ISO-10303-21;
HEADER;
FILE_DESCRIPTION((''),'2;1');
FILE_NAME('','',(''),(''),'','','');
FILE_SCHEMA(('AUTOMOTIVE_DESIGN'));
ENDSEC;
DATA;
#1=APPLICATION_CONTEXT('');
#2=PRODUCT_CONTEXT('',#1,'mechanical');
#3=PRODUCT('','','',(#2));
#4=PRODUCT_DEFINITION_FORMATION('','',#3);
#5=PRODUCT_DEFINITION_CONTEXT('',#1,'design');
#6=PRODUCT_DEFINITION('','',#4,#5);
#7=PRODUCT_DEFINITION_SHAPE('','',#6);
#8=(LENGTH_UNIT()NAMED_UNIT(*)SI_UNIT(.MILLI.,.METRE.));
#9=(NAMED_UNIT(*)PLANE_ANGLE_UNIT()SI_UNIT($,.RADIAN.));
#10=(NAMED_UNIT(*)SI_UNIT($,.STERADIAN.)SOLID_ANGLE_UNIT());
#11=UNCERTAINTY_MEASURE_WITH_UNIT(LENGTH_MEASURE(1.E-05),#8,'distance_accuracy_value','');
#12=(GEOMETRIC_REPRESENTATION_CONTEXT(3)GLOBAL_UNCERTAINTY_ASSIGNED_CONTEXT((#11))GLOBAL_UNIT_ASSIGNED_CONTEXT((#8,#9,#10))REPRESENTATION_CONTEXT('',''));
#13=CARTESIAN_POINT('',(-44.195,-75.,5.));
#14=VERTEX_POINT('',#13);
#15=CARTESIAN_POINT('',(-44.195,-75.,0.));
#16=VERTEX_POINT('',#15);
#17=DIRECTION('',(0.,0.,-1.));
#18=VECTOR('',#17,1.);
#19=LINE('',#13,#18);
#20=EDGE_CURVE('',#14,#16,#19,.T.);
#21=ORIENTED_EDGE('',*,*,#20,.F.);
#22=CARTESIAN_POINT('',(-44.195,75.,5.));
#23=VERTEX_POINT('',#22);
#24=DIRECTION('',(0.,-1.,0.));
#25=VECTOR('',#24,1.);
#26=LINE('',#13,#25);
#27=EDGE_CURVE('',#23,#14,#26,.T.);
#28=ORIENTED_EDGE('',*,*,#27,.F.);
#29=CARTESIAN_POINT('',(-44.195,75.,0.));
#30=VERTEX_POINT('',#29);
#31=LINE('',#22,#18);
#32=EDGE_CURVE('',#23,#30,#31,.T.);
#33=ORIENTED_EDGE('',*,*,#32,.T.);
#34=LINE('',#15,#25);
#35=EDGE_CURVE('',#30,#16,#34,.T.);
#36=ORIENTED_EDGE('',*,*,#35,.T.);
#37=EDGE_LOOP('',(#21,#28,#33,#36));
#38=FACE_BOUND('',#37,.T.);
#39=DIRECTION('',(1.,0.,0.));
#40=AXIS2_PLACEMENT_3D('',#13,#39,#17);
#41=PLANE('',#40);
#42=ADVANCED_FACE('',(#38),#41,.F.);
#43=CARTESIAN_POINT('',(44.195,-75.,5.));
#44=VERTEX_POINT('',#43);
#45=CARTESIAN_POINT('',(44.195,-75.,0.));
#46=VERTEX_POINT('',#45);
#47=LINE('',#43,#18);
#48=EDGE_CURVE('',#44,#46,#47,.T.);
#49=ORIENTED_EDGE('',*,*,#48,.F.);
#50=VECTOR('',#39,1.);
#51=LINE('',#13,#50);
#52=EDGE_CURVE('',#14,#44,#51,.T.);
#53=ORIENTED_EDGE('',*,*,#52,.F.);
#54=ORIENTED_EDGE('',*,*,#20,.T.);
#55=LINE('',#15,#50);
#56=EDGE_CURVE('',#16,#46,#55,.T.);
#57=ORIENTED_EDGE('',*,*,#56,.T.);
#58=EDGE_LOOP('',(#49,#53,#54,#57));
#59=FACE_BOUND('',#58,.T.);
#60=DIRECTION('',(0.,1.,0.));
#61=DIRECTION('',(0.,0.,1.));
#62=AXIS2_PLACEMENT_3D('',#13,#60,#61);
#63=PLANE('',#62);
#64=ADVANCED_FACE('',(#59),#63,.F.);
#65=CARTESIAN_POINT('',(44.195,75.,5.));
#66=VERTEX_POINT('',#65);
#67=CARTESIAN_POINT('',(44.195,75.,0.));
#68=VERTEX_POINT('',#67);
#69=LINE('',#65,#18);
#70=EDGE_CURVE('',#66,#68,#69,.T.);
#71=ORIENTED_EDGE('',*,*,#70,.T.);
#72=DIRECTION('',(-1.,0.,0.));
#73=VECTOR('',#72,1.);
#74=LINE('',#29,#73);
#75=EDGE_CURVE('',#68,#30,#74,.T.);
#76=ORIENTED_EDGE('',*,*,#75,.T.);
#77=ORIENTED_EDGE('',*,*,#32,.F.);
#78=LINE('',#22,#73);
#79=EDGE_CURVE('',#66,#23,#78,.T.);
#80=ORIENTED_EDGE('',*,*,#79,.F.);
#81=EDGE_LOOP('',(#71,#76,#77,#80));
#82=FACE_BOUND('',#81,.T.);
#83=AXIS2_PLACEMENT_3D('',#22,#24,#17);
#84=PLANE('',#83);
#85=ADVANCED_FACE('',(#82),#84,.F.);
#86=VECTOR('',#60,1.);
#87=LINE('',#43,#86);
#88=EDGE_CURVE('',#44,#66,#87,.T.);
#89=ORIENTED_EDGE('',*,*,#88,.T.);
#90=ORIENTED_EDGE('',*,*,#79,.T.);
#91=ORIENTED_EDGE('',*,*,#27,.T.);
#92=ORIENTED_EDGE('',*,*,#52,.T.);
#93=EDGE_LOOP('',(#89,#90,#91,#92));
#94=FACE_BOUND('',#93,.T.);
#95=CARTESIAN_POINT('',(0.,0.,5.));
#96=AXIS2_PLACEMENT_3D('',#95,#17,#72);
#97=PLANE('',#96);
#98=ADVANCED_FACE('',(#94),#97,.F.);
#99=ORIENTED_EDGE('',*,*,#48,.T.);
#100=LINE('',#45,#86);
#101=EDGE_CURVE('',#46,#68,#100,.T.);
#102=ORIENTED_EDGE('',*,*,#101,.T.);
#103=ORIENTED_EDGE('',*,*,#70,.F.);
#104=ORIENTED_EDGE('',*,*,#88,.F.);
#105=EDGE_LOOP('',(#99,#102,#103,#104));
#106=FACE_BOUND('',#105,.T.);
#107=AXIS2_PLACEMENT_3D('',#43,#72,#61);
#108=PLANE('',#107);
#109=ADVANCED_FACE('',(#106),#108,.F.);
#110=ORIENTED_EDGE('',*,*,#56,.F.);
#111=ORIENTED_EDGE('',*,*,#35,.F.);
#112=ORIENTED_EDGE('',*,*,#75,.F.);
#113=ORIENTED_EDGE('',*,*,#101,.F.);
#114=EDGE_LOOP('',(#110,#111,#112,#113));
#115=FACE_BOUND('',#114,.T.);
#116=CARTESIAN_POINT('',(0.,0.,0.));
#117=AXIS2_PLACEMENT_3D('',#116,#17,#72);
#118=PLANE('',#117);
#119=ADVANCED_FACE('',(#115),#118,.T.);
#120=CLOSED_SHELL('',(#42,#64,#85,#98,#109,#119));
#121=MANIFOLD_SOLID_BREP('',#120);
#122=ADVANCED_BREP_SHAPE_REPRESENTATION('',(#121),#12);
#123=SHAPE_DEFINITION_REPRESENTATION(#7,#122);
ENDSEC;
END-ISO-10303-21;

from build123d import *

# Parameters (mm, degrees)
SKETCH_1_W      = 88.39
SKETCH_1_H      = 150
EXTRUDE_1_DEPTH = 5


with BuildPart() as part:
    # 스케치1 → 보스-돌출1 (new body)
    with BuildSketch(Plane.XY):
        Rectangle(SKETCH_1_W, SKETCH_1_H)
    extrude(amount=EXTRUDE_1_DEPTH)


solid = part.part
